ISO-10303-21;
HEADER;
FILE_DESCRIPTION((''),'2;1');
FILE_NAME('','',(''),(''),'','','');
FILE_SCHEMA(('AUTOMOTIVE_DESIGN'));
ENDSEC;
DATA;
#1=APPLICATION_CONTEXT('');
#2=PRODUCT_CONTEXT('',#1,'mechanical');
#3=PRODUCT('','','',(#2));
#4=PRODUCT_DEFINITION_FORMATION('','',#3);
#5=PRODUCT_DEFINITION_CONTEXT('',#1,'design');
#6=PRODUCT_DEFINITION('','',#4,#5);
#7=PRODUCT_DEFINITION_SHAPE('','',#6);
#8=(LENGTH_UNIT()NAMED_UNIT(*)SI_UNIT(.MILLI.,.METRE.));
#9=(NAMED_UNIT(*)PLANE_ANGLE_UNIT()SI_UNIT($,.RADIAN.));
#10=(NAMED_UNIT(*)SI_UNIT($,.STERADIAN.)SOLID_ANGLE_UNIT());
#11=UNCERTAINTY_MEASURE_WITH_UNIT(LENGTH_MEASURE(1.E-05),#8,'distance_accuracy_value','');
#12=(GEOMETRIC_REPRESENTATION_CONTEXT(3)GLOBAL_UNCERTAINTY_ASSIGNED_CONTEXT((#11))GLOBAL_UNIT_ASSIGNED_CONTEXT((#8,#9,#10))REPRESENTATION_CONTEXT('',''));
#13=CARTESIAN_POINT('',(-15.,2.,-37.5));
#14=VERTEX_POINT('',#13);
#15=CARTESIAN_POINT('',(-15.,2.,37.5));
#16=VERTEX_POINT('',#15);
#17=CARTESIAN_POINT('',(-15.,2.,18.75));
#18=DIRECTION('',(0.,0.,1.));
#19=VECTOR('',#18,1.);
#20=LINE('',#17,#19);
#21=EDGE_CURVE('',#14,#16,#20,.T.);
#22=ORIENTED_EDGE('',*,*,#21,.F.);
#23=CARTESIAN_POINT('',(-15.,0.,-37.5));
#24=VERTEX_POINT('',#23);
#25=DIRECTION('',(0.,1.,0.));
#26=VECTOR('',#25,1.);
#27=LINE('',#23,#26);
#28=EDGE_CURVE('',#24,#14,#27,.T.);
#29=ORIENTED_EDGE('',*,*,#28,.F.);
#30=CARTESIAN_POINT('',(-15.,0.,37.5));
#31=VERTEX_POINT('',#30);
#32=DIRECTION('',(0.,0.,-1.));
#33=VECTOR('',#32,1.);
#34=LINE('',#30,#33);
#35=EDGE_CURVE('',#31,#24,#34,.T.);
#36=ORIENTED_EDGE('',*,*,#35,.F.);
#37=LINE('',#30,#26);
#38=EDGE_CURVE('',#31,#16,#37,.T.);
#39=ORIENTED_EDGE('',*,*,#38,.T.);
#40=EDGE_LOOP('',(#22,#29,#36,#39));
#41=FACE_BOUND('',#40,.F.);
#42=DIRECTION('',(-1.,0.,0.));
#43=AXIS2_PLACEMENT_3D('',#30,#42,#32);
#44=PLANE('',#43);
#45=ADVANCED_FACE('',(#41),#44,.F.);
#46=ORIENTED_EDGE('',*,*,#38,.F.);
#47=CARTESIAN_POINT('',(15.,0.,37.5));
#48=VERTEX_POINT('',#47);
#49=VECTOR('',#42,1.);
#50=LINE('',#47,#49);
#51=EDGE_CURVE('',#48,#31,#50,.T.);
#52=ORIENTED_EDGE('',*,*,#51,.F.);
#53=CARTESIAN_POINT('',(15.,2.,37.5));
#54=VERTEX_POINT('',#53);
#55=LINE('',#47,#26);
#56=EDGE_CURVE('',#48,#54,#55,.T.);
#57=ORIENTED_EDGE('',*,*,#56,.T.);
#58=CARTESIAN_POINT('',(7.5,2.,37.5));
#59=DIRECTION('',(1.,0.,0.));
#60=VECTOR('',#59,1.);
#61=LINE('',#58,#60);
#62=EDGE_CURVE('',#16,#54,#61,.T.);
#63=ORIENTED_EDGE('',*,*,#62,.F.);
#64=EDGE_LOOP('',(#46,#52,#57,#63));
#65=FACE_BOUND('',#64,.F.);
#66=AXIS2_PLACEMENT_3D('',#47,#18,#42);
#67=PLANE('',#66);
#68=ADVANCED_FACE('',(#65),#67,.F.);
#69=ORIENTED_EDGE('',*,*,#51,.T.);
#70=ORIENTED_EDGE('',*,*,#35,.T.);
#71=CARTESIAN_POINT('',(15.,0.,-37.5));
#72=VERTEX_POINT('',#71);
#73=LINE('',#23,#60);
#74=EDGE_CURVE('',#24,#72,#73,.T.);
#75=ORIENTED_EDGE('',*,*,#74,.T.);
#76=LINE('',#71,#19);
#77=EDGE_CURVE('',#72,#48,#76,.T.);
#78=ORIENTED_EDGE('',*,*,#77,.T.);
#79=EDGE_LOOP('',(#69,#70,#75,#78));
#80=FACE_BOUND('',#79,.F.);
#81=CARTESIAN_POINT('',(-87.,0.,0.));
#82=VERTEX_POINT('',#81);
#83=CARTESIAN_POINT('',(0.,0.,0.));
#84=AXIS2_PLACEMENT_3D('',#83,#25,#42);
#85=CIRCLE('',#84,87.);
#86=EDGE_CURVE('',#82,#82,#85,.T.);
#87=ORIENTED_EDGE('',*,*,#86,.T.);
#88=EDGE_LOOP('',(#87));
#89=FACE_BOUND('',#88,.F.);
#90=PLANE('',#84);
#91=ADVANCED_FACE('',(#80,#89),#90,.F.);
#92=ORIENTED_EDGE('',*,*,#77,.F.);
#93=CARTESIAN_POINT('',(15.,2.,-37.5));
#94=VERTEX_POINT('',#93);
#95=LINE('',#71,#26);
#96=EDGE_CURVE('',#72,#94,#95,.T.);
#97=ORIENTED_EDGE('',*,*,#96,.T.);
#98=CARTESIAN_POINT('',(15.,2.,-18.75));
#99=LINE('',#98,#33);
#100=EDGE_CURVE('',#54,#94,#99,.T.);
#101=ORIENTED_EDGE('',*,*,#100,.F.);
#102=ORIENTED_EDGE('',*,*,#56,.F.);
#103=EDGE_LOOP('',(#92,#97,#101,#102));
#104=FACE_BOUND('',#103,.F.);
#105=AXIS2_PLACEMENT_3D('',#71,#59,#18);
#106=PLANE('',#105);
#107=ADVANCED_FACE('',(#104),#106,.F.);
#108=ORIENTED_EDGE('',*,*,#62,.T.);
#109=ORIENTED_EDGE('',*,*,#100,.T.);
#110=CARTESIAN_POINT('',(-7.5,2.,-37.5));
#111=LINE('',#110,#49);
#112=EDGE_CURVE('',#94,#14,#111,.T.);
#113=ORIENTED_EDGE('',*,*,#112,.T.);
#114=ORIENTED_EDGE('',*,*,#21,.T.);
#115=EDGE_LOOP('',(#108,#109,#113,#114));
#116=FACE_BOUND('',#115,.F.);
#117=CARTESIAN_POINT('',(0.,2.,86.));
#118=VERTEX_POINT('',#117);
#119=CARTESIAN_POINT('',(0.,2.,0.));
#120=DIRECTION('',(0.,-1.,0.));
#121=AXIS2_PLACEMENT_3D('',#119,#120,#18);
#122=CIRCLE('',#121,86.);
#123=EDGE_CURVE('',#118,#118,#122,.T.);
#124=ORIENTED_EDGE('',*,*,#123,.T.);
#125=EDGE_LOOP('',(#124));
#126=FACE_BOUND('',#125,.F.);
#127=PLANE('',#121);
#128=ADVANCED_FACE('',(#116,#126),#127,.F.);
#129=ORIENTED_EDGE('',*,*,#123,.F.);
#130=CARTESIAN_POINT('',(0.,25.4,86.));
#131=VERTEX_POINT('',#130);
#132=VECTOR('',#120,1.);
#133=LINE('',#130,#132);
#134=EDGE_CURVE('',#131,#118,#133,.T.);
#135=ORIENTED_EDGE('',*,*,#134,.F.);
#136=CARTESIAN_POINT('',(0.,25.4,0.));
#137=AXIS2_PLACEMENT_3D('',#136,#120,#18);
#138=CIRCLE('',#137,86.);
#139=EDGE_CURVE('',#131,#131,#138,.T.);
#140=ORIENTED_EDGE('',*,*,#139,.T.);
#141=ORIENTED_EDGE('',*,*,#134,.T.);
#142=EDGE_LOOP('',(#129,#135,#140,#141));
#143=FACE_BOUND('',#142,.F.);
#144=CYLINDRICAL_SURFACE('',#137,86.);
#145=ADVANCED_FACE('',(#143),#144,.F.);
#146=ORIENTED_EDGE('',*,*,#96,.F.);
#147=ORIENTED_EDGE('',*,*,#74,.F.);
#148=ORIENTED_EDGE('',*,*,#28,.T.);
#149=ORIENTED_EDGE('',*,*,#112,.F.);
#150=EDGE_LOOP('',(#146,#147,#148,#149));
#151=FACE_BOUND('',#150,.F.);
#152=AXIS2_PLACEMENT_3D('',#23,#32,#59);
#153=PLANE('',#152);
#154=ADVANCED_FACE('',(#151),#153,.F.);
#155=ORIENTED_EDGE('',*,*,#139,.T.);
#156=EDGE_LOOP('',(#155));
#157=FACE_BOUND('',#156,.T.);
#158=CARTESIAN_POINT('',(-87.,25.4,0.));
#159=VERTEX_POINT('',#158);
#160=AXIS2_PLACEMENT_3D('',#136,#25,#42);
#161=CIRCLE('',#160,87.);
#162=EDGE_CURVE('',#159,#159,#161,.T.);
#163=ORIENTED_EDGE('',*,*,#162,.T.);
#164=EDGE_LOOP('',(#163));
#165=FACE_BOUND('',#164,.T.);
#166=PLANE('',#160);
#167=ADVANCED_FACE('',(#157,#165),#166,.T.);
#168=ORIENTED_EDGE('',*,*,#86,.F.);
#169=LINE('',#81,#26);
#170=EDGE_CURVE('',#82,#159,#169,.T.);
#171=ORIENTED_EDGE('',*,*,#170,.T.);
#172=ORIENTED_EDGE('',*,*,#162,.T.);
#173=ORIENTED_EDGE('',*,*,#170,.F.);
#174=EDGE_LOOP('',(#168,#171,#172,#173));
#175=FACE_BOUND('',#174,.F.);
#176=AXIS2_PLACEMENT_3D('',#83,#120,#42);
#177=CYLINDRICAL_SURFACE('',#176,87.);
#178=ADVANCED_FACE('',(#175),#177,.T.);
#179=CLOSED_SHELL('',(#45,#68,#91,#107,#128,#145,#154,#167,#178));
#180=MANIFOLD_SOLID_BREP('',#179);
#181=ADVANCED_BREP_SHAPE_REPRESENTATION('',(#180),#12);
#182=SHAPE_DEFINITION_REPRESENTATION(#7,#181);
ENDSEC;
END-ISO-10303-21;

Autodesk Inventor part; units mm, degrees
ref_plane "YZ Plane" through (0, 0, 0) normal (1, 0, 0) x (0, 1, 0)
ref_plane "XZ Plane" through (0, 0, 0) normal (0, 1, 0) x (-1, 0, 0)
ref_plane "XY Plane" through (0, 0, 0) normal (0, 0, 1) x (1, 0, 0)
sketch "Sketch1" plane through (0, 0, 0) normal (0, 1, 0) x (-1, 0, 0)
  circle A0 centre (0, 0) radius 87
  line L0 (-15, 37.5) -> (15, 37.5)
  line L1 (15, 37.5) -> (15, -37.5)
  line L2 (15, -37.5) -> (-15, -37.5)
  line L3 (-15, -37.5) -> (-15, 37.5)
  line L4 (-15, 37.5) -> (15, -37.5) construction
  line L5 (15, 37.5) -> (-15, -37.5) construction
  dimension "d1" = 174
  dimension "d41" = 30
  dimension "d42" = 75
extrude "Extrusion4" add sketch "Sketch1" along normal blind 25.4
sketch "Sketch4" plane through (0, 25.4, 0) normal (0, 1, 0) x (1, 0, 0)
  circle A0 centre (0, 0) radius 86
  dimension "d45" = 172
hole "Hole2" at (0, 25.4, 0) direction (0, -1, 0) diameter 172 depth 23.4
ref_plane "Work Plane1" through (0, 0, 37.5) normal (1, 0, 0) x (0, 0, -1)
properties part number "Top Cap"
